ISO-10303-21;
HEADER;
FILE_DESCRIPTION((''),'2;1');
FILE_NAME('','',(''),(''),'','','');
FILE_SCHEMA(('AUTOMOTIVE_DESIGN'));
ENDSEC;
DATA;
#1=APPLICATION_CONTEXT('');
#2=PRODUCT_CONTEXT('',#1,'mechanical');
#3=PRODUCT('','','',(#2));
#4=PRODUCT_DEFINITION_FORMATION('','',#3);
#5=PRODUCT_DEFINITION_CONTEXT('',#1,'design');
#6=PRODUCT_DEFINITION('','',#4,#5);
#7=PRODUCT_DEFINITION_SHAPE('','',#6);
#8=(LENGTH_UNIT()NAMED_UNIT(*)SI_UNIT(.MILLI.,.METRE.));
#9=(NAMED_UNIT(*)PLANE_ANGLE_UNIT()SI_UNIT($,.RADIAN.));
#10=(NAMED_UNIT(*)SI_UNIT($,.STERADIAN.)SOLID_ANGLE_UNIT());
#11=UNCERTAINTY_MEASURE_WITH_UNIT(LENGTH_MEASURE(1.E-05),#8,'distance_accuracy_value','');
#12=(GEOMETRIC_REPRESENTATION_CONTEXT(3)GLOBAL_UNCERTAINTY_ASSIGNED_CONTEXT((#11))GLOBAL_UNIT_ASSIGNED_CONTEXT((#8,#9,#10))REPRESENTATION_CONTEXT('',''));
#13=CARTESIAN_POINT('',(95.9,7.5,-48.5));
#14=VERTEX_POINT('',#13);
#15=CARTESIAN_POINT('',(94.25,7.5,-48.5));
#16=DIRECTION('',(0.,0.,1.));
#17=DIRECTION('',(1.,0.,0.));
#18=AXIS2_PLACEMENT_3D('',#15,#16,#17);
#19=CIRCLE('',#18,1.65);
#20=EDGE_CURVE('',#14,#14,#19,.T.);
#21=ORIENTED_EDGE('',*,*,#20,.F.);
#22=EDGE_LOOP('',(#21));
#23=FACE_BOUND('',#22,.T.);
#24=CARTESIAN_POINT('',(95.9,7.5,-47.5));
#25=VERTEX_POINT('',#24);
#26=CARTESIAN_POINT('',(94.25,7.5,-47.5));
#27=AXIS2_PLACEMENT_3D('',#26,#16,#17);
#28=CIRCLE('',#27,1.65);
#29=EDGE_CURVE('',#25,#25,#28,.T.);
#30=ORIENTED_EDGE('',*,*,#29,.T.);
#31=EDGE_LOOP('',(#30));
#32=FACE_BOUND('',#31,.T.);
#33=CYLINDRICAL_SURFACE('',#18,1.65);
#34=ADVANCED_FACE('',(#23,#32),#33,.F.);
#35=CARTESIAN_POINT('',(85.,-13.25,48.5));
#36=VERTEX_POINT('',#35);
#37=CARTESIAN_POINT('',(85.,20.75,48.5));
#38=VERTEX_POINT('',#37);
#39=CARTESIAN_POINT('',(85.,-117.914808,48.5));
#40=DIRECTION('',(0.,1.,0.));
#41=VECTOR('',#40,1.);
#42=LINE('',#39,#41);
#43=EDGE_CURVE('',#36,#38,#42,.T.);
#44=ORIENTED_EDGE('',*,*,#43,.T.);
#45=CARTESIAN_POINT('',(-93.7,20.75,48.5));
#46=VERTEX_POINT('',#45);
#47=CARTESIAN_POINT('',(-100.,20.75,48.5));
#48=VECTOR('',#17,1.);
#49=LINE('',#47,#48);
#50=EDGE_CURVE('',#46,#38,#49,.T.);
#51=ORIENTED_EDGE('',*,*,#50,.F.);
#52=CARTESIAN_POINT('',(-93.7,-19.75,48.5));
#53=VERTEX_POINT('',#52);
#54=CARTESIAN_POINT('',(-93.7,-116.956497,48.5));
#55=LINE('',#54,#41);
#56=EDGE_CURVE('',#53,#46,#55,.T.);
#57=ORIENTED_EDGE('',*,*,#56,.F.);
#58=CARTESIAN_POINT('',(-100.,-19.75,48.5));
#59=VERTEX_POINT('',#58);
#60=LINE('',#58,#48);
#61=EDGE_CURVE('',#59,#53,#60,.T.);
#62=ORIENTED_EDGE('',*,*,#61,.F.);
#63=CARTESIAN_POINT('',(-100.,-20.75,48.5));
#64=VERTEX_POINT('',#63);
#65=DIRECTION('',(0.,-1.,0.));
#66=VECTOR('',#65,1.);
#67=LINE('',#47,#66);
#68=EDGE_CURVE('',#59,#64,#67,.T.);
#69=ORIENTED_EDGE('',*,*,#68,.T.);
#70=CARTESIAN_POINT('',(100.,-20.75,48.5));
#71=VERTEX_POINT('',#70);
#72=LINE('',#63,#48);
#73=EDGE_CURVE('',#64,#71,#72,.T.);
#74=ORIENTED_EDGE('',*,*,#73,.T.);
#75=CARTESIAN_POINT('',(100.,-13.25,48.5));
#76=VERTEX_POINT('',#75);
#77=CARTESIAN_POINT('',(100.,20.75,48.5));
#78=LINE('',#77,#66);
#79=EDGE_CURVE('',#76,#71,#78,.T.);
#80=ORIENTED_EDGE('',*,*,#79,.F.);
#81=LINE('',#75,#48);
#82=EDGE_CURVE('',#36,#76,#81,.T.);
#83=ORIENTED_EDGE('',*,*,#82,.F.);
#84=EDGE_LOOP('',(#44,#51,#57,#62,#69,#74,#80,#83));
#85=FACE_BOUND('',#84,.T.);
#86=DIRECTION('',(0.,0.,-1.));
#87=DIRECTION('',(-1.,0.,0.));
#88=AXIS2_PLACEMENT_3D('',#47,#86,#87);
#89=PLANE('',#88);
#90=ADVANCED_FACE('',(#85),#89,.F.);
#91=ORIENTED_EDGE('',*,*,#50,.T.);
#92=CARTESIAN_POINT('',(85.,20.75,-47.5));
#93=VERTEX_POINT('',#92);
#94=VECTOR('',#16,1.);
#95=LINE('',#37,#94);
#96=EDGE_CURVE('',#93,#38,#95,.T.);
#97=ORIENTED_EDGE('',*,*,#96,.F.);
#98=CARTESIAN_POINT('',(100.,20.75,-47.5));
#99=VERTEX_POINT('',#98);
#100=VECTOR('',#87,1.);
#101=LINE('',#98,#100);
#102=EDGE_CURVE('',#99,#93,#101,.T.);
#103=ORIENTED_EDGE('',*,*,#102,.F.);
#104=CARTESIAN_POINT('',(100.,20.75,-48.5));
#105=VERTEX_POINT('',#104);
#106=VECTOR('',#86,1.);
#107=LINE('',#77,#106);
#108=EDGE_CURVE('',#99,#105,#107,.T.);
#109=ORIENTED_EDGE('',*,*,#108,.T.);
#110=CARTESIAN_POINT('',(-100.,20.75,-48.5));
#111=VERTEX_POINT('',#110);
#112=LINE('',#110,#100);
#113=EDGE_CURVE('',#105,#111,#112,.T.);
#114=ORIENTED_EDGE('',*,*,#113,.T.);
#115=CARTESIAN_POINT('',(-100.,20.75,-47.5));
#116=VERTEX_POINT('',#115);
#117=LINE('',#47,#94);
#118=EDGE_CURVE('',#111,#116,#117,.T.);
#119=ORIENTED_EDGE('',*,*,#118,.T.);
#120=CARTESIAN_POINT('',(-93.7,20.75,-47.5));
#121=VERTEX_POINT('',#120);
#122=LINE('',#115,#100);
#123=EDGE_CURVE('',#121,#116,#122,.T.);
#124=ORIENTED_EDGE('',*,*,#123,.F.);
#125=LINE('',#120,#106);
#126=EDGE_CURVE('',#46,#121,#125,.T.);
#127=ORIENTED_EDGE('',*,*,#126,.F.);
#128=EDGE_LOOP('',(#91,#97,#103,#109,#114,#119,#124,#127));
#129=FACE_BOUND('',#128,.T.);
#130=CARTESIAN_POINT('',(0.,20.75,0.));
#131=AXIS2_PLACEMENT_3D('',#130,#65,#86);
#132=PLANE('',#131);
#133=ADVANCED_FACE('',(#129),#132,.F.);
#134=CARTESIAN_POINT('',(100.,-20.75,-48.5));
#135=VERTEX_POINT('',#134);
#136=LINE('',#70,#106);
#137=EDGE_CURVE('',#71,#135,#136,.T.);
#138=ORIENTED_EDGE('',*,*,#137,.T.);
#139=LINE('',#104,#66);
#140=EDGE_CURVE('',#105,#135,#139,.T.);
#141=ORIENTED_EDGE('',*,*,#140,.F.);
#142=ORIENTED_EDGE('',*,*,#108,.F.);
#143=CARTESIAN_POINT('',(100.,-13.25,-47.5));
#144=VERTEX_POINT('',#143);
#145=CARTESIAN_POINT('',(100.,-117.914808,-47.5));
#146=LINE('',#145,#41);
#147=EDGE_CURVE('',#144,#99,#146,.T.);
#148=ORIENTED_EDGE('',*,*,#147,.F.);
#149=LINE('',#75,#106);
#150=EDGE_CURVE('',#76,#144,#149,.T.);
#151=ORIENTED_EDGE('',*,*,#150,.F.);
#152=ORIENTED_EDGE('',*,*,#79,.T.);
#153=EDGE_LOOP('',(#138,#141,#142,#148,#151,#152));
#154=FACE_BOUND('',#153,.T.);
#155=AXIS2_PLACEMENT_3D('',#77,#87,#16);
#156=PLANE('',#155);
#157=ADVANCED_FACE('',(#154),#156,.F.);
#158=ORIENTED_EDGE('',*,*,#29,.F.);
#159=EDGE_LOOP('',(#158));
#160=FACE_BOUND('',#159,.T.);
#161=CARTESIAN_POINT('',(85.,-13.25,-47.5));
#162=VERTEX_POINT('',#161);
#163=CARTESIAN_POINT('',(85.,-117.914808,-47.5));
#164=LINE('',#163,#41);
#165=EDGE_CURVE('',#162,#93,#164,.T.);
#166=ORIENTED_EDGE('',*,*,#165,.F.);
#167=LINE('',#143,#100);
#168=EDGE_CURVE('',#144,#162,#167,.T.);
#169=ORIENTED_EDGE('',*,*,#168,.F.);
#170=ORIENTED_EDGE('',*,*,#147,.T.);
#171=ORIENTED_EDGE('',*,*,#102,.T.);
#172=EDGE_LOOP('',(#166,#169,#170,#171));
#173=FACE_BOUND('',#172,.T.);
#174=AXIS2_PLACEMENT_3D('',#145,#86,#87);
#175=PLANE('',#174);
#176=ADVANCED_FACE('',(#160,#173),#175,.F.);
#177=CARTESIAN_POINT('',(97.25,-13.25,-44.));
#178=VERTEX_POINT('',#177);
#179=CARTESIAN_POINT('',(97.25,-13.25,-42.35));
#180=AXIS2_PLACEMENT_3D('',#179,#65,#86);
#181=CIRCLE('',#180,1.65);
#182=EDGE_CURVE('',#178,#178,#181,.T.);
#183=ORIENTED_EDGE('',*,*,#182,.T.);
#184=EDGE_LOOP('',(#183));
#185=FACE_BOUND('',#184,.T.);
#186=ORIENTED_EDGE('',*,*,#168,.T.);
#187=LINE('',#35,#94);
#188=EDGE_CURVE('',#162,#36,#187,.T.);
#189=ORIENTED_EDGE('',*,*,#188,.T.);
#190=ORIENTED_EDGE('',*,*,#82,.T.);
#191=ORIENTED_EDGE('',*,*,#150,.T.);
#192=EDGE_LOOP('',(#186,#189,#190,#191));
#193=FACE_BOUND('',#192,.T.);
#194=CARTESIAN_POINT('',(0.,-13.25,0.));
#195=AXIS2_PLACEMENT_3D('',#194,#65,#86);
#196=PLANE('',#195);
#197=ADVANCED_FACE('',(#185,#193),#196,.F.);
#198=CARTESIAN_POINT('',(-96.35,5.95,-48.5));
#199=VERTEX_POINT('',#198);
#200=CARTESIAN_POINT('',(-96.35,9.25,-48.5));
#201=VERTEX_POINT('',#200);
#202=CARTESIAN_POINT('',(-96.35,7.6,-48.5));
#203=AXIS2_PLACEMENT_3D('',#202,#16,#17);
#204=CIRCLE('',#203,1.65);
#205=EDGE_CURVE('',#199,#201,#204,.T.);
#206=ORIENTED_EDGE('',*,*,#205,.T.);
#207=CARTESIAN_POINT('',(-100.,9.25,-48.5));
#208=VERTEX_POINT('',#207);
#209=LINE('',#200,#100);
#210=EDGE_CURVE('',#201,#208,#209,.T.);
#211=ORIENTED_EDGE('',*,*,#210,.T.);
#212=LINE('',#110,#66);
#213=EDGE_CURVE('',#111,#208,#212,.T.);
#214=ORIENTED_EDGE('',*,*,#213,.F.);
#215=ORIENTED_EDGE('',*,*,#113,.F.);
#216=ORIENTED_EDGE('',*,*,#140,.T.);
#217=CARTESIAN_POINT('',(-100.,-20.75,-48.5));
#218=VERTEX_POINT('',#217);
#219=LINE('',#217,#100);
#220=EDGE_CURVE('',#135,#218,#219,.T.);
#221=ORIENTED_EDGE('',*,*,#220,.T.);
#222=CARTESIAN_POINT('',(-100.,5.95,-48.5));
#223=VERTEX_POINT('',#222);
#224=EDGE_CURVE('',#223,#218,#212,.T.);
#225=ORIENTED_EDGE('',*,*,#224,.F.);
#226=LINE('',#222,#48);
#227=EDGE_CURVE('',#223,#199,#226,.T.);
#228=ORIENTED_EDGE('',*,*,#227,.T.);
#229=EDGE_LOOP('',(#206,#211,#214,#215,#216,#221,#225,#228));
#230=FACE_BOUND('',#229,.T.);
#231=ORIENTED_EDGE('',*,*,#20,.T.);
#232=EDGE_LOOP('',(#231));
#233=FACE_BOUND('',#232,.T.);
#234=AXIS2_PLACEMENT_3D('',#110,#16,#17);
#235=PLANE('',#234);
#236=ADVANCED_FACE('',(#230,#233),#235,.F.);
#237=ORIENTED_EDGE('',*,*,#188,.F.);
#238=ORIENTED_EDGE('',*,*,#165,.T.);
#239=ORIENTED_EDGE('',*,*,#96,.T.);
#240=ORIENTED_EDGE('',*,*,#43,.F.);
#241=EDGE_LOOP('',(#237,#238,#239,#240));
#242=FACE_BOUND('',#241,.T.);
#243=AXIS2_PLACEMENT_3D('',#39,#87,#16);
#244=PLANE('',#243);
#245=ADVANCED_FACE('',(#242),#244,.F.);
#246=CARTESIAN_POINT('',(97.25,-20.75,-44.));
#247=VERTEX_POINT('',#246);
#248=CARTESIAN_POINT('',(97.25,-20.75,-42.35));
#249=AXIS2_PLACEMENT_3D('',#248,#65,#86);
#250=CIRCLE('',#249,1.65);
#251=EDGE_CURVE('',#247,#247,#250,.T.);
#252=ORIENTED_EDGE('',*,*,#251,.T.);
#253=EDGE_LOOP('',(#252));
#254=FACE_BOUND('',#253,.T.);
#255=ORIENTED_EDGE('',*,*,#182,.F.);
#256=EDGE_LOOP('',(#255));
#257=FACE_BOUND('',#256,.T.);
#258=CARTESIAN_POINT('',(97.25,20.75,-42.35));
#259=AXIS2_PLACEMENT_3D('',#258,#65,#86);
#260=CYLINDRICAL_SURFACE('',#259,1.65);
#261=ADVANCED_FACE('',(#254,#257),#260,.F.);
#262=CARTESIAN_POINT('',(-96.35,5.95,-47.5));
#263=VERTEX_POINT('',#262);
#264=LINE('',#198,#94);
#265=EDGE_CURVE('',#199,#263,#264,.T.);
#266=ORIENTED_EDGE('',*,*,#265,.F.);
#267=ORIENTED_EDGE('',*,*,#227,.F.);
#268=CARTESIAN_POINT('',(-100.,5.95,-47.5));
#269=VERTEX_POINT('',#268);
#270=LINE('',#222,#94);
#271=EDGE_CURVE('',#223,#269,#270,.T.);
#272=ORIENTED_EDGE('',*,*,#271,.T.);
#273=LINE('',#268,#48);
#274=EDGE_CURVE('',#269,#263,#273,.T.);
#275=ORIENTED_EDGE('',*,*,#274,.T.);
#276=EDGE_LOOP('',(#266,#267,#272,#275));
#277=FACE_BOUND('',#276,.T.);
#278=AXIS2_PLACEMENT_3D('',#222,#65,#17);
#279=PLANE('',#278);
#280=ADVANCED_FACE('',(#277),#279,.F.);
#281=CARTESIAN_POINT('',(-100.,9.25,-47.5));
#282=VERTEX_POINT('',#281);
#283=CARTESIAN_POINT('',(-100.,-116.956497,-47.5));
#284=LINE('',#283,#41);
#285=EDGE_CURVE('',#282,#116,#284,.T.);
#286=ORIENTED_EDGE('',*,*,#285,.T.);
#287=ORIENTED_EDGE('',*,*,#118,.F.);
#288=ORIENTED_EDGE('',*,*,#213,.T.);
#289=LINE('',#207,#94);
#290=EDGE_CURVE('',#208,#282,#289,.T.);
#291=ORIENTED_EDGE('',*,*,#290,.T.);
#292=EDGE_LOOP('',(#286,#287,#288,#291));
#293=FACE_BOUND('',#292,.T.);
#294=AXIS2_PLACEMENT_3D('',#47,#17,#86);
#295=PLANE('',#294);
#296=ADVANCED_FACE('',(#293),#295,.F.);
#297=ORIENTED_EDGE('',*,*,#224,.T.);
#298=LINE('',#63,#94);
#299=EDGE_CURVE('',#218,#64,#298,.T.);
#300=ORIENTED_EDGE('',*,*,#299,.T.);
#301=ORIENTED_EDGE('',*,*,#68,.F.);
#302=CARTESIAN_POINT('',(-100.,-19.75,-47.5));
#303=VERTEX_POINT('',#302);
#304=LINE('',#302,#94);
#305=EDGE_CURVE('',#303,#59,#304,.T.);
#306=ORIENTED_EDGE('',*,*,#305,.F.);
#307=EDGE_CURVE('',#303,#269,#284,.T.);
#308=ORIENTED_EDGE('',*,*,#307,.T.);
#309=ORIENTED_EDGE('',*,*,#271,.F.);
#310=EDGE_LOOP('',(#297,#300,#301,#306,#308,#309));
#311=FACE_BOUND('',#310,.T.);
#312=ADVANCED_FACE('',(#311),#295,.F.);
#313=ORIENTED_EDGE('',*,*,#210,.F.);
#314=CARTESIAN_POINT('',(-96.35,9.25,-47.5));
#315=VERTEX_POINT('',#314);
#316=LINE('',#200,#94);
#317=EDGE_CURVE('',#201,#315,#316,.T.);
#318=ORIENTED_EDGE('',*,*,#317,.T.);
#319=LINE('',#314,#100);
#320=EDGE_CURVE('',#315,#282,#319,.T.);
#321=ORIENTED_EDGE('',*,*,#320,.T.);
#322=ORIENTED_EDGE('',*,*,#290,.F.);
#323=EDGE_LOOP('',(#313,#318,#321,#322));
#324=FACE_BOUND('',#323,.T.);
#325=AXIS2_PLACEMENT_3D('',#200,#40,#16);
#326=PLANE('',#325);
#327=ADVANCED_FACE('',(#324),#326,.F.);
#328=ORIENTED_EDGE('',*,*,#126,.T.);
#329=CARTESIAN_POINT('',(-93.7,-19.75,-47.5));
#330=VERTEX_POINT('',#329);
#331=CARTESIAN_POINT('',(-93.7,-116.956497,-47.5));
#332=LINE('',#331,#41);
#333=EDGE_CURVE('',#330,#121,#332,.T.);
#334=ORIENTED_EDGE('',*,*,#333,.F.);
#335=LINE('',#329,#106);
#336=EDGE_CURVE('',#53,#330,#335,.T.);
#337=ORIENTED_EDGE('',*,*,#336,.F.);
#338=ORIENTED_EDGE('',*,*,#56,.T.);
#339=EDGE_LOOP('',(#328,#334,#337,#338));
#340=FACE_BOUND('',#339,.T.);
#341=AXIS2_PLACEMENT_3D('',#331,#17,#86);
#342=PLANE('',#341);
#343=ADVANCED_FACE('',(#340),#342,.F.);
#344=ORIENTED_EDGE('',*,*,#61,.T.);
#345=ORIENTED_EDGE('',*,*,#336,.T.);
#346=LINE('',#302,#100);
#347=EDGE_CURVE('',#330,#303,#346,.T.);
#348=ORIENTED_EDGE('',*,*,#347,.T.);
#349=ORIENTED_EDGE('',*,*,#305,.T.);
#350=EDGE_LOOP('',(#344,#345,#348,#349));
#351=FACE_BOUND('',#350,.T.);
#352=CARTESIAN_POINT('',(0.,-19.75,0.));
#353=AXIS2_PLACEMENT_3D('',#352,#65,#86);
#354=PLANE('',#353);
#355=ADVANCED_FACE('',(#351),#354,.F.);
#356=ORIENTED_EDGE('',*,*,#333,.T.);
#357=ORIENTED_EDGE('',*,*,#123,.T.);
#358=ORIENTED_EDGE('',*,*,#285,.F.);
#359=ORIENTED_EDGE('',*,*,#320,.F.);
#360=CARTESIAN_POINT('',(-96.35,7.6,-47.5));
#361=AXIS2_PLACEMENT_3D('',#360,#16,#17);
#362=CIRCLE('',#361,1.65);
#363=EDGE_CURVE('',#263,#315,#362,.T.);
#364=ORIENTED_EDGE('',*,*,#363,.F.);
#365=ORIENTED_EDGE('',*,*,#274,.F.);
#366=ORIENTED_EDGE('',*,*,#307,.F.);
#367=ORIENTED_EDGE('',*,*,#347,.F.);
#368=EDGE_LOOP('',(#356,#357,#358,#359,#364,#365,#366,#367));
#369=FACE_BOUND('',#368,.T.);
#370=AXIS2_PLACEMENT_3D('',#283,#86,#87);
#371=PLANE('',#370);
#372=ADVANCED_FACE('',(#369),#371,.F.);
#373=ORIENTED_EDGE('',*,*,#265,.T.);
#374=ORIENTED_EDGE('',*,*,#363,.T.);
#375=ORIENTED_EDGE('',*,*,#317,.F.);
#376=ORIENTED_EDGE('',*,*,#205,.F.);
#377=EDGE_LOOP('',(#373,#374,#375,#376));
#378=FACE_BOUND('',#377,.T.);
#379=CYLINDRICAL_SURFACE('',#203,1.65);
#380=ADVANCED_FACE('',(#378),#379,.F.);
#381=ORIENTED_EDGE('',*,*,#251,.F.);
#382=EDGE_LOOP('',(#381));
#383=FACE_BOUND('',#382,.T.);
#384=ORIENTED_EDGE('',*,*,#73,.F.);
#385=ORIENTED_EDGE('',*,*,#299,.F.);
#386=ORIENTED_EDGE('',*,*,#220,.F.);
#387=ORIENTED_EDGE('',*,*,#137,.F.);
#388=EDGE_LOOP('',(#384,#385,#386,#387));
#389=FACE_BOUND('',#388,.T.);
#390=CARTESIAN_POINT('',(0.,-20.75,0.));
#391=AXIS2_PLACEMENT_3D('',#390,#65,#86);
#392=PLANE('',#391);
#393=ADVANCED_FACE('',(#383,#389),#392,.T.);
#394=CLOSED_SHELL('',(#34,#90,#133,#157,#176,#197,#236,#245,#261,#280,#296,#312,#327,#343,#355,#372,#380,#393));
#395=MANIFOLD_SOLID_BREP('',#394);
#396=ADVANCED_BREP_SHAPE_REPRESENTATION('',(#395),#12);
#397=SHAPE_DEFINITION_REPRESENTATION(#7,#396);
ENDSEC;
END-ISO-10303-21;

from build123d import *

# Parameters (mm, degrees)
SKETCH1_W           = 200
SKETCH1_H           = 97
BOSS_EXTRUDE1_DEPTH = 20.75
SKETCH2_W           = 15
SKETCH2_H           = 96
CUT_EXTRUDE1_DEPTH  = 34
SKETCH3_W           = 6.3
SKETCH3_H           = 96
CUT_EXTRUDE2_DEPTH  = 40.5
SKETCH4_R           = 1.65
CUT_EXTRUDE3_DEPTH  = 2
SKETCH5_R           = 1.65
CUT_EXTRUDE4_DEPTH  = 42.5


with BuildPart() as part:
    # Sketch1 → Boss-Extrude1 (new body, symmetric)
    with BuildSketch(Plane(origin=(0, 0, 0), x_dir=(1, 0, 0), z_dir=(0, 1, 0))):
        Rectangle(SKETCH1_W, SKETCH1_H)
    extrude(amount=BOSS_EXTRUDE1_DEPTH, both=True)

    # Sketch2 → Cut-Extrude1 (cut)
    with BuildSketch(Plane(origin=(0, 20.75, 0), x_dir=(1, 0, 0), z_dir=(0, 1, 0))):
        with Locations((92.5, -0.5)):
            Rectangle(SKETCH2_W, SKETCH2_H)
    extrude(amount=-CUT_EXTRUDE1_DEPTH, mode=Mode.SUBTRACT)

    # Sketch3 → Cut-Extrude2 (cut)
    with BuildSketch(Plane(origin=(0, 20.75, 0), x_dir=(1, 0, 0), z_dir=(0, 1, 0))):
        with Locations((-96.85, -0.5)):
            Rectangle(SKETCH3_W, SKETCH3_H)
    extrude(amount=-CUT_EXTRUDE2_DEPTH, mode=Mode.SUBTRACT)

    # Sketch4 → Cut-Extrude3 (cut, through all)
    with BuildSketch(Plane.XY.offset(-47.5)):
        with Locations((94.25, 7.5)):
            Circle(SKETCH4_R)
        with BuildLine():
            Line((-96.35, 9.25), (-100, 9.25))
            Line((-100, 9.25), (-100, 5.95))
            Line((-100, 5.95), (-96.35, 5.95))
            ThreePointArc((-96.35, 5.95), (-94.7, 7.6), (-96.35, 9.25))
        make_face()
    extrude(amount=-CUT_EXTRUDE3_DEPTH, mode=Mode.SUBTRACT)

    # Sketch5 → Cut-Extrude4 (cut, through all)
    with BuildSketch(Plane.XZ.offset(20.75)):
        with Locations((97.25, -42.35)):
            Circle(SKETCH5_R)
    extrude(amount=-CUT_EXTRUDE4_DEPTH, mode=Mode.SUBTRACT)


solid = part.part
